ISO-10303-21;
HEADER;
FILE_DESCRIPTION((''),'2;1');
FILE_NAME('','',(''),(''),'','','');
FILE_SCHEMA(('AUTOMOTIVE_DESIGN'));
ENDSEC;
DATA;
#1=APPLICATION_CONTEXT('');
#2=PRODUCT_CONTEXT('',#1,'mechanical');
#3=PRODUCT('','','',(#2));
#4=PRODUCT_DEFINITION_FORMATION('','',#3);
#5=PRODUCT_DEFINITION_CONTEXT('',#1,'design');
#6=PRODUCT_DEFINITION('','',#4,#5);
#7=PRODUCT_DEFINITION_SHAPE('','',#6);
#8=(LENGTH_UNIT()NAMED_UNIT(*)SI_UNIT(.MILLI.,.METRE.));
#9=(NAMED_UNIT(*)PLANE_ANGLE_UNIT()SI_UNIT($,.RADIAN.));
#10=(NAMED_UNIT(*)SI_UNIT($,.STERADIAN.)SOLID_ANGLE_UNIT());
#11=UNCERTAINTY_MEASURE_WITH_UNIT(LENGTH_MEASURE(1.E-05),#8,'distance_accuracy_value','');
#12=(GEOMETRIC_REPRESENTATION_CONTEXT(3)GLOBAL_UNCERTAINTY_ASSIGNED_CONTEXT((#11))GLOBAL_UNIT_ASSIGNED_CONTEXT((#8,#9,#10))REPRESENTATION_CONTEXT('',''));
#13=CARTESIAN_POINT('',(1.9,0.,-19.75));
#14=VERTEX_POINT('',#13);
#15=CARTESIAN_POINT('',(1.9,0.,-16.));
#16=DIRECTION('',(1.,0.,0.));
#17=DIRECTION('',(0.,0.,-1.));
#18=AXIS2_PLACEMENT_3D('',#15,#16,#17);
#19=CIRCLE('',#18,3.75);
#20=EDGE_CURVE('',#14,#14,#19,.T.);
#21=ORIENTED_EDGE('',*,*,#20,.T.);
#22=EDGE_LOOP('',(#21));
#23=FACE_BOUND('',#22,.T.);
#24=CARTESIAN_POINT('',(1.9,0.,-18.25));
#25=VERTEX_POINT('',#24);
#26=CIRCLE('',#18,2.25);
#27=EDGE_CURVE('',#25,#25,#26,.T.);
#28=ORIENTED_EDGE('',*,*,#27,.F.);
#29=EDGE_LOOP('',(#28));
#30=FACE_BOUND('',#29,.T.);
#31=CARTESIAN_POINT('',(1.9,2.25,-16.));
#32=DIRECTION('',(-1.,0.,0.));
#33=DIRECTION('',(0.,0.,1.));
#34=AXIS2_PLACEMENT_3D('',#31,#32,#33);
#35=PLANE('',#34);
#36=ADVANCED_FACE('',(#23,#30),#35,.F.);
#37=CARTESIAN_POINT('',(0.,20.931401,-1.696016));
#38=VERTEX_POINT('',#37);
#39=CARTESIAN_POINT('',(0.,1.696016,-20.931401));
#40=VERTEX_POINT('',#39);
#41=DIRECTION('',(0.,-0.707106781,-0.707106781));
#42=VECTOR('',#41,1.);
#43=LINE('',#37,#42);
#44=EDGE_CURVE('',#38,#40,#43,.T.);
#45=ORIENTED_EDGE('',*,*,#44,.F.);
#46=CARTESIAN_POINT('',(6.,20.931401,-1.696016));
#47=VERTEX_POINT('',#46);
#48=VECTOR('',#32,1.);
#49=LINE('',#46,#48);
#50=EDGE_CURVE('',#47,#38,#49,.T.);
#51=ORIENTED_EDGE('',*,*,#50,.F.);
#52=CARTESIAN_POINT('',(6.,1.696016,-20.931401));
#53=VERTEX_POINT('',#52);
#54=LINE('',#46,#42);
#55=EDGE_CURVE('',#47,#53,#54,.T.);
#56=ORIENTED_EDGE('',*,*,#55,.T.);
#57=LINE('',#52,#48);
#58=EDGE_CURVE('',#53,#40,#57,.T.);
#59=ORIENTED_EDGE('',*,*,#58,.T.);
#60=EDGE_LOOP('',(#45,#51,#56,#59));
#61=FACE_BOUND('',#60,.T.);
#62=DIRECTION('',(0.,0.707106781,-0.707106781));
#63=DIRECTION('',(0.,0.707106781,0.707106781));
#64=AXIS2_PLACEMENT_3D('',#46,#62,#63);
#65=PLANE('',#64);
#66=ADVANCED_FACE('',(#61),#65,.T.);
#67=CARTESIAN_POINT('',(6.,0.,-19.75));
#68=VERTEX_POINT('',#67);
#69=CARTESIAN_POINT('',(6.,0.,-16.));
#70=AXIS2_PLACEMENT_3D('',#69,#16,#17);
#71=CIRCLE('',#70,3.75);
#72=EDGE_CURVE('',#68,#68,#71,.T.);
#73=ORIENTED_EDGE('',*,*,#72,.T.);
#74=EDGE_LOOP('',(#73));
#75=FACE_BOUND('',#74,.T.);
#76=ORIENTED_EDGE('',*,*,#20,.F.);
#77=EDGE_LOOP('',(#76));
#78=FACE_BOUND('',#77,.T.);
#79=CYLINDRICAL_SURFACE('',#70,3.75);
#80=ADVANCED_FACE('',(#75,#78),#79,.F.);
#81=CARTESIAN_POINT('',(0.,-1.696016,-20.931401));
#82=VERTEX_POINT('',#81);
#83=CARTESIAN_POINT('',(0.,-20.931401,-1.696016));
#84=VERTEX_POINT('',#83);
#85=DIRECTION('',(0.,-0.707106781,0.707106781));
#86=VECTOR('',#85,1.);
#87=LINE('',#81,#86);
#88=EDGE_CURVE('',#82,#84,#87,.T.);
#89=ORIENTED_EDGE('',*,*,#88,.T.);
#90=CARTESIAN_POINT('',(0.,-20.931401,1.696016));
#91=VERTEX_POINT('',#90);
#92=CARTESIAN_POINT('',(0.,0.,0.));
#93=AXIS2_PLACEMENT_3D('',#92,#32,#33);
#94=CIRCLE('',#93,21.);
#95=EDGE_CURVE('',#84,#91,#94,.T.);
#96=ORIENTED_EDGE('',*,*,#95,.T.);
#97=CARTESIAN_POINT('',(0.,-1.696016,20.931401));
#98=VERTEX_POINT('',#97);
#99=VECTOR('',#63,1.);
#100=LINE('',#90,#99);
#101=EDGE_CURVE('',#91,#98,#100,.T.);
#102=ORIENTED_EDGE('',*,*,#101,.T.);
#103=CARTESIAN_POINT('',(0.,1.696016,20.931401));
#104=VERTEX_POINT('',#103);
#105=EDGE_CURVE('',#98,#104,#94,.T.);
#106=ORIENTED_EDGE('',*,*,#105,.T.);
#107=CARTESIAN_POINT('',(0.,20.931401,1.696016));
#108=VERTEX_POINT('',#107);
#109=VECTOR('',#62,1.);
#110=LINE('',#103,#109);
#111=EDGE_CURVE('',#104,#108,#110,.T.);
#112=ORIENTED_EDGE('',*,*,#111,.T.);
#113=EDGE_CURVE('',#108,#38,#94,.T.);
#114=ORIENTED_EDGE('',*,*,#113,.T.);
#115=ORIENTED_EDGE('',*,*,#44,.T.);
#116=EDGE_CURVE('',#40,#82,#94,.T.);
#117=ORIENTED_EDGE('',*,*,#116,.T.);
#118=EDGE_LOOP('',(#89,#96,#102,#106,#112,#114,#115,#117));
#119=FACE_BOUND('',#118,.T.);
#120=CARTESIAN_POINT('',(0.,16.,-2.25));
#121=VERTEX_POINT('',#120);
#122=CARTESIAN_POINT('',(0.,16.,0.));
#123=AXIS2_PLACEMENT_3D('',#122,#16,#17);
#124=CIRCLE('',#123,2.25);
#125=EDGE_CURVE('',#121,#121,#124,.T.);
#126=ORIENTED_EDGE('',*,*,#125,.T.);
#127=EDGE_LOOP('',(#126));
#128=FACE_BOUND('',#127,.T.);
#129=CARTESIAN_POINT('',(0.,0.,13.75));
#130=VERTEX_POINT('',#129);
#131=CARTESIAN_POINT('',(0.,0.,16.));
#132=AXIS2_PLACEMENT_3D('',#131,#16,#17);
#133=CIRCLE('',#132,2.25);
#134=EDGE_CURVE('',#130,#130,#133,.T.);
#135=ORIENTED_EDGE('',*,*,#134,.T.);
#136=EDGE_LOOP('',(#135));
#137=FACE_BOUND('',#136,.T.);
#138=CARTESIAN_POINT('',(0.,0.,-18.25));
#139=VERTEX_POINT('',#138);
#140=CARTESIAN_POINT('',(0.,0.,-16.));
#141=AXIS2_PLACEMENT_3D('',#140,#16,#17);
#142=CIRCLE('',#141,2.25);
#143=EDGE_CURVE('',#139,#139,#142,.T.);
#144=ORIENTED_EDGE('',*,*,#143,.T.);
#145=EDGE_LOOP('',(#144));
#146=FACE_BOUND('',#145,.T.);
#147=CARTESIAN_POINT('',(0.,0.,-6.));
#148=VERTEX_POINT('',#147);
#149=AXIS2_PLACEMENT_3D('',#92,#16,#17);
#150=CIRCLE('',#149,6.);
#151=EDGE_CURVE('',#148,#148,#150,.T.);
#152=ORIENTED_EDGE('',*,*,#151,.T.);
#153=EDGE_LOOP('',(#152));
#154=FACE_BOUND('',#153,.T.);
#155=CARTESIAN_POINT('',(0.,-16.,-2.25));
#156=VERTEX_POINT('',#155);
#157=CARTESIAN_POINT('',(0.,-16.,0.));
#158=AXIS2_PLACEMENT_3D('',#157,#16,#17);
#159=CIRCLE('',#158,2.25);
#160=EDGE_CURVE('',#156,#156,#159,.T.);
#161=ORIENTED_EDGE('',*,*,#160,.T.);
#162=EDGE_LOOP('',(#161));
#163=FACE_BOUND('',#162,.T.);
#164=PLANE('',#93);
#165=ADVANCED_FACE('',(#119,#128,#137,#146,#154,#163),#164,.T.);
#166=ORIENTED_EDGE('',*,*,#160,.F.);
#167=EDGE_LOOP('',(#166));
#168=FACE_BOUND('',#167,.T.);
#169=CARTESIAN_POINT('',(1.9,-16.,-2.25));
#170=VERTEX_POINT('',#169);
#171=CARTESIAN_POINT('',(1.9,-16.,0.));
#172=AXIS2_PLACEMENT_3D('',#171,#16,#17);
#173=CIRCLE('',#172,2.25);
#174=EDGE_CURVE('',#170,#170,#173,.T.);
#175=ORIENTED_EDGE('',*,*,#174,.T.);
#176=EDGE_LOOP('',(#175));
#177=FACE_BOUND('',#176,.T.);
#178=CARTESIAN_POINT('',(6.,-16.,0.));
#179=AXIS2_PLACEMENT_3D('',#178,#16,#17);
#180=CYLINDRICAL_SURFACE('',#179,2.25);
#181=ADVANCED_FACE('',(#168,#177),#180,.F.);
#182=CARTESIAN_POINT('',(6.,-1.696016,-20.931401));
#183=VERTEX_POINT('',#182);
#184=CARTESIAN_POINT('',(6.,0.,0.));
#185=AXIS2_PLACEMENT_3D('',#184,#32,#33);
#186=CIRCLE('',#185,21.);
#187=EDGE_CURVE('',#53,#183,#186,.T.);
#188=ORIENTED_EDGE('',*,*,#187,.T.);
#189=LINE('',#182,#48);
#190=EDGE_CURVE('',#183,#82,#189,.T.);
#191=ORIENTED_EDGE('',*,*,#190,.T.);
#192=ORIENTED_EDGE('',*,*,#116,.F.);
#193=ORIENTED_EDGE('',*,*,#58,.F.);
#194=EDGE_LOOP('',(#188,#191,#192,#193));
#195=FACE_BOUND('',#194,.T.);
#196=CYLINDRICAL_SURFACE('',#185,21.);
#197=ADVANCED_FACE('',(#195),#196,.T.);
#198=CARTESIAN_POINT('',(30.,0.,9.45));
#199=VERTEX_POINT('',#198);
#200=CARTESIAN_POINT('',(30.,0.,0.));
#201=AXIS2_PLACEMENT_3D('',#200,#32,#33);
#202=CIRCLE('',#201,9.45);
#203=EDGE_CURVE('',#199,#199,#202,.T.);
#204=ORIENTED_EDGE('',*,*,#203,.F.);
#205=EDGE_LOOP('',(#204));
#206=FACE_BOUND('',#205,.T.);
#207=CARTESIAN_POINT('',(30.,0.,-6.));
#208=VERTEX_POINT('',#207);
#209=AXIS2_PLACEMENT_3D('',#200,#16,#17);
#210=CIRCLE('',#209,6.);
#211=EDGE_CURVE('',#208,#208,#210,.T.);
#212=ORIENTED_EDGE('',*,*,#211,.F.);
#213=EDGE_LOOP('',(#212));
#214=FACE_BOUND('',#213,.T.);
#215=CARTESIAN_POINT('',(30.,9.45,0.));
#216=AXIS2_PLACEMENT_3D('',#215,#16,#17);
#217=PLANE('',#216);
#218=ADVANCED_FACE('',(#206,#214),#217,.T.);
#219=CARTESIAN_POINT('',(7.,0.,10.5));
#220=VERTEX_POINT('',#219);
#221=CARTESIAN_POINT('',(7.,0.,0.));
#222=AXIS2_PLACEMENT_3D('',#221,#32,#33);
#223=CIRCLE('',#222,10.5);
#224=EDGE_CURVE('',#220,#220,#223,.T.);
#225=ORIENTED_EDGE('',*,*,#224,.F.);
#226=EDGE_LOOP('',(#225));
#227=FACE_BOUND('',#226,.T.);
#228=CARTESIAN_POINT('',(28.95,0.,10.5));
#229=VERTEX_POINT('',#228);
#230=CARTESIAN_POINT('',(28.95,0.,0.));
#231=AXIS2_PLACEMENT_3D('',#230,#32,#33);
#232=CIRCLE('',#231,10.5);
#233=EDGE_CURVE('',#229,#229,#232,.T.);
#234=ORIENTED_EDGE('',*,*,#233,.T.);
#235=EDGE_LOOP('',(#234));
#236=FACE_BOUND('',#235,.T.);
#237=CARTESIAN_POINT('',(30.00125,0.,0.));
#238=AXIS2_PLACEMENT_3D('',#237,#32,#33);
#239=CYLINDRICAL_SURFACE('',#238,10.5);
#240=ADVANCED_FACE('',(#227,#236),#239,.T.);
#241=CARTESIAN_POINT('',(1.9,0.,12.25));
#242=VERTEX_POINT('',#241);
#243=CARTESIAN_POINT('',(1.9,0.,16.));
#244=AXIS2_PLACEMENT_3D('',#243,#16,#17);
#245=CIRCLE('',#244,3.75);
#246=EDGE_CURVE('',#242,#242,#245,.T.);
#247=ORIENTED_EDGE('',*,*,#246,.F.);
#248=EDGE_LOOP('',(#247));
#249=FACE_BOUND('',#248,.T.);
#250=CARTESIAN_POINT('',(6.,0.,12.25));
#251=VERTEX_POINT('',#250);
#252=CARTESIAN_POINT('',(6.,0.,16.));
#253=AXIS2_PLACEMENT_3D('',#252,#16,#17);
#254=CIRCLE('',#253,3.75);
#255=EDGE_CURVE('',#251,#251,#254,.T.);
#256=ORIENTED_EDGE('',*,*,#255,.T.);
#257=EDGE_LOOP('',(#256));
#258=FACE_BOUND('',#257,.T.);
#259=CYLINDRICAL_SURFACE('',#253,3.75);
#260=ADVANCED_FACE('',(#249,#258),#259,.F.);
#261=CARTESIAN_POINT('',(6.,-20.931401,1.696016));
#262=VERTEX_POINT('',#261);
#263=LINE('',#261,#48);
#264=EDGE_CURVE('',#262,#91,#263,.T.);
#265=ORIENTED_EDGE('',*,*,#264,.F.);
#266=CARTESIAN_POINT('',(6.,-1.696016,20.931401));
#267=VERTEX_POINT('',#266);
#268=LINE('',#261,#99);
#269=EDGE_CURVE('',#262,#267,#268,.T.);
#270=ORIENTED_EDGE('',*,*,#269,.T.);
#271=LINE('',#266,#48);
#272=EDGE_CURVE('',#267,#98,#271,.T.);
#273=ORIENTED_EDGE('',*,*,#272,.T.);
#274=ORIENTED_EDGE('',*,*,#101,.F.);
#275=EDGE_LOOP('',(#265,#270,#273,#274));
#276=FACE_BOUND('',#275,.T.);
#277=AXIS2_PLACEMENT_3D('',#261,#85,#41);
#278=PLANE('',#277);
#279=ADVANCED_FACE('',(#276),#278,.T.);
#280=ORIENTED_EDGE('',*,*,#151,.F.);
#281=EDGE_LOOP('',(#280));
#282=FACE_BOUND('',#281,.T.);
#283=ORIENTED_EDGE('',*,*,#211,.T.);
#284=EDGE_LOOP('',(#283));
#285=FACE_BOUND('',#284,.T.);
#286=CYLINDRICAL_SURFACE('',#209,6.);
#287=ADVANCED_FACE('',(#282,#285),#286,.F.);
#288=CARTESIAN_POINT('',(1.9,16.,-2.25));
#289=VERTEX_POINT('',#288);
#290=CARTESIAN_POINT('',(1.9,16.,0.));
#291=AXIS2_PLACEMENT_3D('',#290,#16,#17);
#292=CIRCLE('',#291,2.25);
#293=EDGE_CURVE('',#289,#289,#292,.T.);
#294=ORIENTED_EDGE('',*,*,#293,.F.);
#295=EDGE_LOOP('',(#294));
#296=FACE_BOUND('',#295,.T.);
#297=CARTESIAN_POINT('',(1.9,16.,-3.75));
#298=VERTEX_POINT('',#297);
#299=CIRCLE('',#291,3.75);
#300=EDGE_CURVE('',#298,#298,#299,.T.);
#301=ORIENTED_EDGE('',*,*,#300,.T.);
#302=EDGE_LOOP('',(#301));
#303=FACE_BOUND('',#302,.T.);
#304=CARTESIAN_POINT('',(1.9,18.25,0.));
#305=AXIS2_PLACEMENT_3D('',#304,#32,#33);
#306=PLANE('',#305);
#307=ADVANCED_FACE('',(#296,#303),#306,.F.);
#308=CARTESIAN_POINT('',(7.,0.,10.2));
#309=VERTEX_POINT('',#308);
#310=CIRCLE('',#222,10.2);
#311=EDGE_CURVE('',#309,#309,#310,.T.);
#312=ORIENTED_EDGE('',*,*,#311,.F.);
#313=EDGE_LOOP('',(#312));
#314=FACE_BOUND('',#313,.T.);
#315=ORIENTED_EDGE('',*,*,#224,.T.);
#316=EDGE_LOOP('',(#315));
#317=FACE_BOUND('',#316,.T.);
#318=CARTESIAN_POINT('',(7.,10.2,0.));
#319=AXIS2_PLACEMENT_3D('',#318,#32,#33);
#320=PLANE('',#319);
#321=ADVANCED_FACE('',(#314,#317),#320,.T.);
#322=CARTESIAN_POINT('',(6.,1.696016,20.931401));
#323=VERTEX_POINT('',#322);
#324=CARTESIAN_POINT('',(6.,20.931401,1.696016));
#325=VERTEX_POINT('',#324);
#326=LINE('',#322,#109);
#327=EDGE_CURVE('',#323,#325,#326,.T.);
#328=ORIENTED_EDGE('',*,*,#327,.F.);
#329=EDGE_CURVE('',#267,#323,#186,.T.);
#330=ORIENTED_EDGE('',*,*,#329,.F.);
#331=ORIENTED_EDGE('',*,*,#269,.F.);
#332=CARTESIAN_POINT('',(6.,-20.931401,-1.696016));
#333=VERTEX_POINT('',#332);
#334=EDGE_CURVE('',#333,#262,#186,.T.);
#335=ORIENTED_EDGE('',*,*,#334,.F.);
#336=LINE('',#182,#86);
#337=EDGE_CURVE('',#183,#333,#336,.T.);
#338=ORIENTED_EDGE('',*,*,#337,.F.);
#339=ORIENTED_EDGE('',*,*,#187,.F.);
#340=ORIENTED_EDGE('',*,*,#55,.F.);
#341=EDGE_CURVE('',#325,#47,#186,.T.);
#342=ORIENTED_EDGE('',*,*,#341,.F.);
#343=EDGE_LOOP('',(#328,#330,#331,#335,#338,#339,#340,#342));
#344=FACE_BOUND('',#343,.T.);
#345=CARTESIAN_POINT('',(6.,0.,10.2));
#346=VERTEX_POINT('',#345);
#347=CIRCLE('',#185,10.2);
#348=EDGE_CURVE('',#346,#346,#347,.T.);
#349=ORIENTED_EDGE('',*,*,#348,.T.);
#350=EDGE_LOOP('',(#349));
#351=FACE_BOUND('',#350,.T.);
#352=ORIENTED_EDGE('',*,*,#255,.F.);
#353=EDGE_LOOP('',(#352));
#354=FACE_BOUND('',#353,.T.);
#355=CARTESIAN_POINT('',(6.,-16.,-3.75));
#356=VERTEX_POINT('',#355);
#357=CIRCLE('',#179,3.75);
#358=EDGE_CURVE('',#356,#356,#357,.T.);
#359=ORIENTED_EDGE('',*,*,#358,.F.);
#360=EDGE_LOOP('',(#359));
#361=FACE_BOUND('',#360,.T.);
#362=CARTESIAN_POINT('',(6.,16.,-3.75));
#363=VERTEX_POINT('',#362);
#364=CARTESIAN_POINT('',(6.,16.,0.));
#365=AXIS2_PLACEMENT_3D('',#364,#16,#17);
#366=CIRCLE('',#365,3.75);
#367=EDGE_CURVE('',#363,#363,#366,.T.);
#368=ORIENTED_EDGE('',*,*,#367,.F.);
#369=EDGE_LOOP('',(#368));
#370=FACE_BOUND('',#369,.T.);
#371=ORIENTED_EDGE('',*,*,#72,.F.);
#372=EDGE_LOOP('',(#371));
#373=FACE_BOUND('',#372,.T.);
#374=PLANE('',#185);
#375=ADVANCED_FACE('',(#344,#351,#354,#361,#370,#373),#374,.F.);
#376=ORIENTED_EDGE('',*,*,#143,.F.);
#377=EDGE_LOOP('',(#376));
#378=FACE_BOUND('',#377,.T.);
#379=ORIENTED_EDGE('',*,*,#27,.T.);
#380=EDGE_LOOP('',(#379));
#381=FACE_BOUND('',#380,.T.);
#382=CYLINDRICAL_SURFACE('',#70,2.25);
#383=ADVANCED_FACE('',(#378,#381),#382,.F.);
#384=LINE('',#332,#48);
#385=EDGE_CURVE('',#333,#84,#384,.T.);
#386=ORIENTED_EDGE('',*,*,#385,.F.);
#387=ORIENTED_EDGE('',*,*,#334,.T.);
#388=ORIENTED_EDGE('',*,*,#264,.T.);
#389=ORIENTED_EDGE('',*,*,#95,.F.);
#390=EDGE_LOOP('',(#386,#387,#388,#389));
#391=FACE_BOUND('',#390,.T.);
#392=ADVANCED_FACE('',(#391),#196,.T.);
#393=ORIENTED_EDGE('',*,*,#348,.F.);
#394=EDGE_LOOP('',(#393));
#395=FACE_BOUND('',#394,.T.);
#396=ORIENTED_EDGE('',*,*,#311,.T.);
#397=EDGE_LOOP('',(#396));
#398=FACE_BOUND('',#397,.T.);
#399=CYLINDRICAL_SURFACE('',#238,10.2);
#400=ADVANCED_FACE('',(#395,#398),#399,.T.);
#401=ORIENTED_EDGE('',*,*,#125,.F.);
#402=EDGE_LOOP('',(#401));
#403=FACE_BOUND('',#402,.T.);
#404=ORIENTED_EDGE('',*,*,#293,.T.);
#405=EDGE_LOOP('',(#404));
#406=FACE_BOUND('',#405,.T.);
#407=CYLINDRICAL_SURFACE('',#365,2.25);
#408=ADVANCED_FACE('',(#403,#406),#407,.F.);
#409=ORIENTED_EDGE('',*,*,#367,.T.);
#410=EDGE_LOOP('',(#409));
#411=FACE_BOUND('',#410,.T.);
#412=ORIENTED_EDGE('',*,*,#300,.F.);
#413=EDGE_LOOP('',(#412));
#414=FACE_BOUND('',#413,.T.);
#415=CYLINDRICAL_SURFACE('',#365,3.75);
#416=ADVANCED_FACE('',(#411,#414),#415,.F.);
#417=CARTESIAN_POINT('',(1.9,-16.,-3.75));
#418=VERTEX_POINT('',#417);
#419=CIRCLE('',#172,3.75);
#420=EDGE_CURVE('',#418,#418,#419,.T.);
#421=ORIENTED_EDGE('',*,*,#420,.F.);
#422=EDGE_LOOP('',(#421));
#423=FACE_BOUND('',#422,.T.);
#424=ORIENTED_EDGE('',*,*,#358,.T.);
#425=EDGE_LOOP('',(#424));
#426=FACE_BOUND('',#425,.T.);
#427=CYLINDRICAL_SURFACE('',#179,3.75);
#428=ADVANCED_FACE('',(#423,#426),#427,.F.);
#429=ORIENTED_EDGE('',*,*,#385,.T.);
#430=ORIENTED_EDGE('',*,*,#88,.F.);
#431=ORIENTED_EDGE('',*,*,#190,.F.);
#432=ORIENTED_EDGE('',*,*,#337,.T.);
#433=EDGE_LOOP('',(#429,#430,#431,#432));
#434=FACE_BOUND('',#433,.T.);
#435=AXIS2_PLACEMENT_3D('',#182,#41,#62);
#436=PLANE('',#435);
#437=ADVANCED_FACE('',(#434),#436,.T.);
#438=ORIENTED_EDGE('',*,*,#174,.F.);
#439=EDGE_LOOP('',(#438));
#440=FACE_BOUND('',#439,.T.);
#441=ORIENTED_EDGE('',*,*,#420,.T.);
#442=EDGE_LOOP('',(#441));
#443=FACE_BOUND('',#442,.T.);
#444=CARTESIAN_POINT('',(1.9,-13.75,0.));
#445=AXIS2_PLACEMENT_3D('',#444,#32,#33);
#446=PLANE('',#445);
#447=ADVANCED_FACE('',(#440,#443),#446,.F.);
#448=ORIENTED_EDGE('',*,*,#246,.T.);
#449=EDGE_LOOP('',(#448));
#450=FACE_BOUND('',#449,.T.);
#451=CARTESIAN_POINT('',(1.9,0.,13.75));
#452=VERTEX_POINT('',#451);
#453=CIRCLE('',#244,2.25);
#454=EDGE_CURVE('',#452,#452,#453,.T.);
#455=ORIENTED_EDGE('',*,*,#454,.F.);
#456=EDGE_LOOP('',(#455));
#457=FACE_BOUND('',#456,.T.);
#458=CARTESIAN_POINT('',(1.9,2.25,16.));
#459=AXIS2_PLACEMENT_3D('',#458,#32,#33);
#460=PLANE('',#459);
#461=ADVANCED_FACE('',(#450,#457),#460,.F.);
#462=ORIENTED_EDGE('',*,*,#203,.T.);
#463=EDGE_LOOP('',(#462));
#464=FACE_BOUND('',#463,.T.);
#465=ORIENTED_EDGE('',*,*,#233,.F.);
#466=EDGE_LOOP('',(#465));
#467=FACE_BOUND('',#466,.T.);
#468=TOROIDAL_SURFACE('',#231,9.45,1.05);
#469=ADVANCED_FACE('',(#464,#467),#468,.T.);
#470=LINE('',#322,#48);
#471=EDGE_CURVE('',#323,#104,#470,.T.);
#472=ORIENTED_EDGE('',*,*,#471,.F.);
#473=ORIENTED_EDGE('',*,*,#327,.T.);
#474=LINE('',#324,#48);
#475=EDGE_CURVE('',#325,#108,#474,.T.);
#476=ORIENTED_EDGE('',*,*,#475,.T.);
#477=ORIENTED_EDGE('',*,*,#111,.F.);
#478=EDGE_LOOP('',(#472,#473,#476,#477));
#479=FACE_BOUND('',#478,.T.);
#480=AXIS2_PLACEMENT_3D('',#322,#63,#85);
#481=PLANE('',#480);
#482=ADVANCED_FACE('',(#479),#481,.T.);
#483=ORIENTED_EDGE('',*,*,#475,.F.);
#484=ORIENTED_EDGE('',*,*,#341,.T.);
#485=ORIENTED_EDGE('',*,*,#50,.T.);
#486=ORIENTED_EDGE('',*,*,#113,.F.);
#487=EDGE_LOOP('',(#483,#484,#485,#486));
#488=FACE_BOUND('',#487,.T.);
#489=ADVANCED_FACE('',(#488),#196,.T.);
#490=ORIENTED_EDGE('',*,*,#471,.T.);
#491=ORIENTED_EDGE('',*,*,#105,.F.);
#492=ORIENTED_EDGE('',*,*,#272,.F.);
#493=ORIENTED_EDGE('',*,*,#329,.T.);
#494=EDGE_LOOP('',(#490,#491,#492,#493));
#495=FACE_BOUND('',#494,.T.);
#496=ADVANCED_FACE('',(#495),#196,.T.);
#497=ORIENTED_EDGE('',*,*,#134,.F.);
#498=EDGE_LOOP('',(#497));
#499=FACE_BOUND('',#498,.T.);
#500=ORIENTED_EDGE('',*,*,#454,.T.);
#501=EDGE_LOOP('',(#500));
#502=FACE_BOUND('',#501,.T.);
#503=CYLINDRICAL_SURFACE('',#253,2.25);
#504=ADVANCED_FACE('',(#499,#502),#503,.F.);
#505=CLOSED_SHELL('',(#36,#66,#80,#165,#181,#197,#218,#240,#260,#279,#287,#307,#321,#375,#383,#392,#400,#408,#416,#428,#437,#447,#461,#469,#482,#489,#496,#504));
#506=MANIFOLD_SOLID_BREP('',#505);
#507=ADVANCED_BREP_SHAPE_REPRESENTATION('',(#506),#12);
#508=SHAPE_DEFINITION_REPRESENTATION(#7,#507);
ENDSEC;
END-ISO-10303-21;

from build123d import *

# Parameters (mm, degrees)
BOSS_EXTRUDE1_DEPTH                              = 6
CBORE_FOR_M4_HEX_HEAD_MACHINE_SCREW1_D           = 4.5
CBORE_FOR_M4_HEX_HEAD_MACHINE_SCREW1_DEPTH       = 6
CBORE_FOR_M4_HEX_HEAD_MACHINE_SCREW1_CBORE_D     = 7.5
CBORE_FOR_M4_HEX_HEAD_MACHINE_SCREW1_CBORE_DEPTH = 4.1
F_12_0_12_DIAMETER_HOLE1_D                       = 12
F_12_0_12_DIAMETER_HOLE1_DEPTH                   = 30


with BuildPart() as part:
    # Sketch1 → Boss-Extrude1 (new body)
    with BuildSketch(Plane(origin=(0, 0, 0), x_dir=(0, -1, 0), z_dir=(-1, 0, 0))):
        with BuildLine():
            Line((-1.696016468, 20.93140053), (-20.93140053, 1.696016468))
            ThreePointArc((-20.93140053, 1.696016468), (-21, 0), (-20.93140053, -1.696016468))
            Line((-20.93140053, -1.696016468), (-1.696016468, -20.93140053))
            ThreePointArc((-1.696016468, -20.93140053), (0, -21), (1.696016468, -20.93140053))
            Line((1.696016468, -20.93140053), (20.93140053, -1.696016468))
            ThreePointArc((20.93140053, -1.696016468), (21, 0), (20.93140053, 1.696016468))
            Line((20.93140053, 1.696016468), (1.696016468, 20.93140053))
            ThreePointArc((1.696016468, 20.93140053), (0, 21), (-1.696016468, 20.93140053))
        make_face()
    extrude(amount=-BOSS_EXTRUDE1_DEPTH)

    # Sketch2 → Revolve1 (revolve)
    with BuildSketch(Plane(origin=(0, 0, 0), x_dir=(-1, 0, 0), z_dir=(0, 0, -1))):
        with BuildLine():
            Line((-30, 9.45), (-30, 0))
            Line((-30, 0), (-6, 0))
            Line((-6, 0), (-6, 10.2))
            Line((-6, 10.2), (-7, 10.2))
            Line((-7, 10.2), (-7, 10.5))
            Line((-7, 10.5), (-28.95, 10.5))
            ThreePointArc((-28.95, 10.5), (-29.69246212, 10.19246212), (-30, 9.45))
        make_face()
    revolve(axis=Axis((30.00125, 0, 0), (-1, 0, 0)))

    # CBORE for M4 Hex Head Machine Screw1
    with Locations(Plane(origin=(6, 0, 0), x_dir=(0, 0, -1), z_dir=(1, 0, 0))):
        with Locations((0, -16), (16, 0), (-16, 0), (0, 16)):
            CounterBoreHole(CBORE_FOR_M4_HEX_HEAD_MACHINE_SCREW1_D / 2, CBORE_FOR_M4_HEX_HEAD_MACHINE_SCREW1_CBORE_D / 2, CBORE_FOR_M4_HEX_HEAD_MACHINE_SCREW1_CBORE_DEPTH, depth=CBORE_FOR_M4_HEX_HEAD_MACHINE_SCREW1_DEPTH)

    # Ø12.0 (12) Diameter Hole1
    with Locations(Plane(origin=(30, 0, 0), x_dir=(0, 0, -1), z_dir=(1, 0, 0))):
        with Locations((0, 0)):
            Hole(F_12_0_12_DIAMETER_HOLE1_D / 2, depth=F_12_0_12_DIAMETER_HOLE1_DEPTH)


solid = part.part
